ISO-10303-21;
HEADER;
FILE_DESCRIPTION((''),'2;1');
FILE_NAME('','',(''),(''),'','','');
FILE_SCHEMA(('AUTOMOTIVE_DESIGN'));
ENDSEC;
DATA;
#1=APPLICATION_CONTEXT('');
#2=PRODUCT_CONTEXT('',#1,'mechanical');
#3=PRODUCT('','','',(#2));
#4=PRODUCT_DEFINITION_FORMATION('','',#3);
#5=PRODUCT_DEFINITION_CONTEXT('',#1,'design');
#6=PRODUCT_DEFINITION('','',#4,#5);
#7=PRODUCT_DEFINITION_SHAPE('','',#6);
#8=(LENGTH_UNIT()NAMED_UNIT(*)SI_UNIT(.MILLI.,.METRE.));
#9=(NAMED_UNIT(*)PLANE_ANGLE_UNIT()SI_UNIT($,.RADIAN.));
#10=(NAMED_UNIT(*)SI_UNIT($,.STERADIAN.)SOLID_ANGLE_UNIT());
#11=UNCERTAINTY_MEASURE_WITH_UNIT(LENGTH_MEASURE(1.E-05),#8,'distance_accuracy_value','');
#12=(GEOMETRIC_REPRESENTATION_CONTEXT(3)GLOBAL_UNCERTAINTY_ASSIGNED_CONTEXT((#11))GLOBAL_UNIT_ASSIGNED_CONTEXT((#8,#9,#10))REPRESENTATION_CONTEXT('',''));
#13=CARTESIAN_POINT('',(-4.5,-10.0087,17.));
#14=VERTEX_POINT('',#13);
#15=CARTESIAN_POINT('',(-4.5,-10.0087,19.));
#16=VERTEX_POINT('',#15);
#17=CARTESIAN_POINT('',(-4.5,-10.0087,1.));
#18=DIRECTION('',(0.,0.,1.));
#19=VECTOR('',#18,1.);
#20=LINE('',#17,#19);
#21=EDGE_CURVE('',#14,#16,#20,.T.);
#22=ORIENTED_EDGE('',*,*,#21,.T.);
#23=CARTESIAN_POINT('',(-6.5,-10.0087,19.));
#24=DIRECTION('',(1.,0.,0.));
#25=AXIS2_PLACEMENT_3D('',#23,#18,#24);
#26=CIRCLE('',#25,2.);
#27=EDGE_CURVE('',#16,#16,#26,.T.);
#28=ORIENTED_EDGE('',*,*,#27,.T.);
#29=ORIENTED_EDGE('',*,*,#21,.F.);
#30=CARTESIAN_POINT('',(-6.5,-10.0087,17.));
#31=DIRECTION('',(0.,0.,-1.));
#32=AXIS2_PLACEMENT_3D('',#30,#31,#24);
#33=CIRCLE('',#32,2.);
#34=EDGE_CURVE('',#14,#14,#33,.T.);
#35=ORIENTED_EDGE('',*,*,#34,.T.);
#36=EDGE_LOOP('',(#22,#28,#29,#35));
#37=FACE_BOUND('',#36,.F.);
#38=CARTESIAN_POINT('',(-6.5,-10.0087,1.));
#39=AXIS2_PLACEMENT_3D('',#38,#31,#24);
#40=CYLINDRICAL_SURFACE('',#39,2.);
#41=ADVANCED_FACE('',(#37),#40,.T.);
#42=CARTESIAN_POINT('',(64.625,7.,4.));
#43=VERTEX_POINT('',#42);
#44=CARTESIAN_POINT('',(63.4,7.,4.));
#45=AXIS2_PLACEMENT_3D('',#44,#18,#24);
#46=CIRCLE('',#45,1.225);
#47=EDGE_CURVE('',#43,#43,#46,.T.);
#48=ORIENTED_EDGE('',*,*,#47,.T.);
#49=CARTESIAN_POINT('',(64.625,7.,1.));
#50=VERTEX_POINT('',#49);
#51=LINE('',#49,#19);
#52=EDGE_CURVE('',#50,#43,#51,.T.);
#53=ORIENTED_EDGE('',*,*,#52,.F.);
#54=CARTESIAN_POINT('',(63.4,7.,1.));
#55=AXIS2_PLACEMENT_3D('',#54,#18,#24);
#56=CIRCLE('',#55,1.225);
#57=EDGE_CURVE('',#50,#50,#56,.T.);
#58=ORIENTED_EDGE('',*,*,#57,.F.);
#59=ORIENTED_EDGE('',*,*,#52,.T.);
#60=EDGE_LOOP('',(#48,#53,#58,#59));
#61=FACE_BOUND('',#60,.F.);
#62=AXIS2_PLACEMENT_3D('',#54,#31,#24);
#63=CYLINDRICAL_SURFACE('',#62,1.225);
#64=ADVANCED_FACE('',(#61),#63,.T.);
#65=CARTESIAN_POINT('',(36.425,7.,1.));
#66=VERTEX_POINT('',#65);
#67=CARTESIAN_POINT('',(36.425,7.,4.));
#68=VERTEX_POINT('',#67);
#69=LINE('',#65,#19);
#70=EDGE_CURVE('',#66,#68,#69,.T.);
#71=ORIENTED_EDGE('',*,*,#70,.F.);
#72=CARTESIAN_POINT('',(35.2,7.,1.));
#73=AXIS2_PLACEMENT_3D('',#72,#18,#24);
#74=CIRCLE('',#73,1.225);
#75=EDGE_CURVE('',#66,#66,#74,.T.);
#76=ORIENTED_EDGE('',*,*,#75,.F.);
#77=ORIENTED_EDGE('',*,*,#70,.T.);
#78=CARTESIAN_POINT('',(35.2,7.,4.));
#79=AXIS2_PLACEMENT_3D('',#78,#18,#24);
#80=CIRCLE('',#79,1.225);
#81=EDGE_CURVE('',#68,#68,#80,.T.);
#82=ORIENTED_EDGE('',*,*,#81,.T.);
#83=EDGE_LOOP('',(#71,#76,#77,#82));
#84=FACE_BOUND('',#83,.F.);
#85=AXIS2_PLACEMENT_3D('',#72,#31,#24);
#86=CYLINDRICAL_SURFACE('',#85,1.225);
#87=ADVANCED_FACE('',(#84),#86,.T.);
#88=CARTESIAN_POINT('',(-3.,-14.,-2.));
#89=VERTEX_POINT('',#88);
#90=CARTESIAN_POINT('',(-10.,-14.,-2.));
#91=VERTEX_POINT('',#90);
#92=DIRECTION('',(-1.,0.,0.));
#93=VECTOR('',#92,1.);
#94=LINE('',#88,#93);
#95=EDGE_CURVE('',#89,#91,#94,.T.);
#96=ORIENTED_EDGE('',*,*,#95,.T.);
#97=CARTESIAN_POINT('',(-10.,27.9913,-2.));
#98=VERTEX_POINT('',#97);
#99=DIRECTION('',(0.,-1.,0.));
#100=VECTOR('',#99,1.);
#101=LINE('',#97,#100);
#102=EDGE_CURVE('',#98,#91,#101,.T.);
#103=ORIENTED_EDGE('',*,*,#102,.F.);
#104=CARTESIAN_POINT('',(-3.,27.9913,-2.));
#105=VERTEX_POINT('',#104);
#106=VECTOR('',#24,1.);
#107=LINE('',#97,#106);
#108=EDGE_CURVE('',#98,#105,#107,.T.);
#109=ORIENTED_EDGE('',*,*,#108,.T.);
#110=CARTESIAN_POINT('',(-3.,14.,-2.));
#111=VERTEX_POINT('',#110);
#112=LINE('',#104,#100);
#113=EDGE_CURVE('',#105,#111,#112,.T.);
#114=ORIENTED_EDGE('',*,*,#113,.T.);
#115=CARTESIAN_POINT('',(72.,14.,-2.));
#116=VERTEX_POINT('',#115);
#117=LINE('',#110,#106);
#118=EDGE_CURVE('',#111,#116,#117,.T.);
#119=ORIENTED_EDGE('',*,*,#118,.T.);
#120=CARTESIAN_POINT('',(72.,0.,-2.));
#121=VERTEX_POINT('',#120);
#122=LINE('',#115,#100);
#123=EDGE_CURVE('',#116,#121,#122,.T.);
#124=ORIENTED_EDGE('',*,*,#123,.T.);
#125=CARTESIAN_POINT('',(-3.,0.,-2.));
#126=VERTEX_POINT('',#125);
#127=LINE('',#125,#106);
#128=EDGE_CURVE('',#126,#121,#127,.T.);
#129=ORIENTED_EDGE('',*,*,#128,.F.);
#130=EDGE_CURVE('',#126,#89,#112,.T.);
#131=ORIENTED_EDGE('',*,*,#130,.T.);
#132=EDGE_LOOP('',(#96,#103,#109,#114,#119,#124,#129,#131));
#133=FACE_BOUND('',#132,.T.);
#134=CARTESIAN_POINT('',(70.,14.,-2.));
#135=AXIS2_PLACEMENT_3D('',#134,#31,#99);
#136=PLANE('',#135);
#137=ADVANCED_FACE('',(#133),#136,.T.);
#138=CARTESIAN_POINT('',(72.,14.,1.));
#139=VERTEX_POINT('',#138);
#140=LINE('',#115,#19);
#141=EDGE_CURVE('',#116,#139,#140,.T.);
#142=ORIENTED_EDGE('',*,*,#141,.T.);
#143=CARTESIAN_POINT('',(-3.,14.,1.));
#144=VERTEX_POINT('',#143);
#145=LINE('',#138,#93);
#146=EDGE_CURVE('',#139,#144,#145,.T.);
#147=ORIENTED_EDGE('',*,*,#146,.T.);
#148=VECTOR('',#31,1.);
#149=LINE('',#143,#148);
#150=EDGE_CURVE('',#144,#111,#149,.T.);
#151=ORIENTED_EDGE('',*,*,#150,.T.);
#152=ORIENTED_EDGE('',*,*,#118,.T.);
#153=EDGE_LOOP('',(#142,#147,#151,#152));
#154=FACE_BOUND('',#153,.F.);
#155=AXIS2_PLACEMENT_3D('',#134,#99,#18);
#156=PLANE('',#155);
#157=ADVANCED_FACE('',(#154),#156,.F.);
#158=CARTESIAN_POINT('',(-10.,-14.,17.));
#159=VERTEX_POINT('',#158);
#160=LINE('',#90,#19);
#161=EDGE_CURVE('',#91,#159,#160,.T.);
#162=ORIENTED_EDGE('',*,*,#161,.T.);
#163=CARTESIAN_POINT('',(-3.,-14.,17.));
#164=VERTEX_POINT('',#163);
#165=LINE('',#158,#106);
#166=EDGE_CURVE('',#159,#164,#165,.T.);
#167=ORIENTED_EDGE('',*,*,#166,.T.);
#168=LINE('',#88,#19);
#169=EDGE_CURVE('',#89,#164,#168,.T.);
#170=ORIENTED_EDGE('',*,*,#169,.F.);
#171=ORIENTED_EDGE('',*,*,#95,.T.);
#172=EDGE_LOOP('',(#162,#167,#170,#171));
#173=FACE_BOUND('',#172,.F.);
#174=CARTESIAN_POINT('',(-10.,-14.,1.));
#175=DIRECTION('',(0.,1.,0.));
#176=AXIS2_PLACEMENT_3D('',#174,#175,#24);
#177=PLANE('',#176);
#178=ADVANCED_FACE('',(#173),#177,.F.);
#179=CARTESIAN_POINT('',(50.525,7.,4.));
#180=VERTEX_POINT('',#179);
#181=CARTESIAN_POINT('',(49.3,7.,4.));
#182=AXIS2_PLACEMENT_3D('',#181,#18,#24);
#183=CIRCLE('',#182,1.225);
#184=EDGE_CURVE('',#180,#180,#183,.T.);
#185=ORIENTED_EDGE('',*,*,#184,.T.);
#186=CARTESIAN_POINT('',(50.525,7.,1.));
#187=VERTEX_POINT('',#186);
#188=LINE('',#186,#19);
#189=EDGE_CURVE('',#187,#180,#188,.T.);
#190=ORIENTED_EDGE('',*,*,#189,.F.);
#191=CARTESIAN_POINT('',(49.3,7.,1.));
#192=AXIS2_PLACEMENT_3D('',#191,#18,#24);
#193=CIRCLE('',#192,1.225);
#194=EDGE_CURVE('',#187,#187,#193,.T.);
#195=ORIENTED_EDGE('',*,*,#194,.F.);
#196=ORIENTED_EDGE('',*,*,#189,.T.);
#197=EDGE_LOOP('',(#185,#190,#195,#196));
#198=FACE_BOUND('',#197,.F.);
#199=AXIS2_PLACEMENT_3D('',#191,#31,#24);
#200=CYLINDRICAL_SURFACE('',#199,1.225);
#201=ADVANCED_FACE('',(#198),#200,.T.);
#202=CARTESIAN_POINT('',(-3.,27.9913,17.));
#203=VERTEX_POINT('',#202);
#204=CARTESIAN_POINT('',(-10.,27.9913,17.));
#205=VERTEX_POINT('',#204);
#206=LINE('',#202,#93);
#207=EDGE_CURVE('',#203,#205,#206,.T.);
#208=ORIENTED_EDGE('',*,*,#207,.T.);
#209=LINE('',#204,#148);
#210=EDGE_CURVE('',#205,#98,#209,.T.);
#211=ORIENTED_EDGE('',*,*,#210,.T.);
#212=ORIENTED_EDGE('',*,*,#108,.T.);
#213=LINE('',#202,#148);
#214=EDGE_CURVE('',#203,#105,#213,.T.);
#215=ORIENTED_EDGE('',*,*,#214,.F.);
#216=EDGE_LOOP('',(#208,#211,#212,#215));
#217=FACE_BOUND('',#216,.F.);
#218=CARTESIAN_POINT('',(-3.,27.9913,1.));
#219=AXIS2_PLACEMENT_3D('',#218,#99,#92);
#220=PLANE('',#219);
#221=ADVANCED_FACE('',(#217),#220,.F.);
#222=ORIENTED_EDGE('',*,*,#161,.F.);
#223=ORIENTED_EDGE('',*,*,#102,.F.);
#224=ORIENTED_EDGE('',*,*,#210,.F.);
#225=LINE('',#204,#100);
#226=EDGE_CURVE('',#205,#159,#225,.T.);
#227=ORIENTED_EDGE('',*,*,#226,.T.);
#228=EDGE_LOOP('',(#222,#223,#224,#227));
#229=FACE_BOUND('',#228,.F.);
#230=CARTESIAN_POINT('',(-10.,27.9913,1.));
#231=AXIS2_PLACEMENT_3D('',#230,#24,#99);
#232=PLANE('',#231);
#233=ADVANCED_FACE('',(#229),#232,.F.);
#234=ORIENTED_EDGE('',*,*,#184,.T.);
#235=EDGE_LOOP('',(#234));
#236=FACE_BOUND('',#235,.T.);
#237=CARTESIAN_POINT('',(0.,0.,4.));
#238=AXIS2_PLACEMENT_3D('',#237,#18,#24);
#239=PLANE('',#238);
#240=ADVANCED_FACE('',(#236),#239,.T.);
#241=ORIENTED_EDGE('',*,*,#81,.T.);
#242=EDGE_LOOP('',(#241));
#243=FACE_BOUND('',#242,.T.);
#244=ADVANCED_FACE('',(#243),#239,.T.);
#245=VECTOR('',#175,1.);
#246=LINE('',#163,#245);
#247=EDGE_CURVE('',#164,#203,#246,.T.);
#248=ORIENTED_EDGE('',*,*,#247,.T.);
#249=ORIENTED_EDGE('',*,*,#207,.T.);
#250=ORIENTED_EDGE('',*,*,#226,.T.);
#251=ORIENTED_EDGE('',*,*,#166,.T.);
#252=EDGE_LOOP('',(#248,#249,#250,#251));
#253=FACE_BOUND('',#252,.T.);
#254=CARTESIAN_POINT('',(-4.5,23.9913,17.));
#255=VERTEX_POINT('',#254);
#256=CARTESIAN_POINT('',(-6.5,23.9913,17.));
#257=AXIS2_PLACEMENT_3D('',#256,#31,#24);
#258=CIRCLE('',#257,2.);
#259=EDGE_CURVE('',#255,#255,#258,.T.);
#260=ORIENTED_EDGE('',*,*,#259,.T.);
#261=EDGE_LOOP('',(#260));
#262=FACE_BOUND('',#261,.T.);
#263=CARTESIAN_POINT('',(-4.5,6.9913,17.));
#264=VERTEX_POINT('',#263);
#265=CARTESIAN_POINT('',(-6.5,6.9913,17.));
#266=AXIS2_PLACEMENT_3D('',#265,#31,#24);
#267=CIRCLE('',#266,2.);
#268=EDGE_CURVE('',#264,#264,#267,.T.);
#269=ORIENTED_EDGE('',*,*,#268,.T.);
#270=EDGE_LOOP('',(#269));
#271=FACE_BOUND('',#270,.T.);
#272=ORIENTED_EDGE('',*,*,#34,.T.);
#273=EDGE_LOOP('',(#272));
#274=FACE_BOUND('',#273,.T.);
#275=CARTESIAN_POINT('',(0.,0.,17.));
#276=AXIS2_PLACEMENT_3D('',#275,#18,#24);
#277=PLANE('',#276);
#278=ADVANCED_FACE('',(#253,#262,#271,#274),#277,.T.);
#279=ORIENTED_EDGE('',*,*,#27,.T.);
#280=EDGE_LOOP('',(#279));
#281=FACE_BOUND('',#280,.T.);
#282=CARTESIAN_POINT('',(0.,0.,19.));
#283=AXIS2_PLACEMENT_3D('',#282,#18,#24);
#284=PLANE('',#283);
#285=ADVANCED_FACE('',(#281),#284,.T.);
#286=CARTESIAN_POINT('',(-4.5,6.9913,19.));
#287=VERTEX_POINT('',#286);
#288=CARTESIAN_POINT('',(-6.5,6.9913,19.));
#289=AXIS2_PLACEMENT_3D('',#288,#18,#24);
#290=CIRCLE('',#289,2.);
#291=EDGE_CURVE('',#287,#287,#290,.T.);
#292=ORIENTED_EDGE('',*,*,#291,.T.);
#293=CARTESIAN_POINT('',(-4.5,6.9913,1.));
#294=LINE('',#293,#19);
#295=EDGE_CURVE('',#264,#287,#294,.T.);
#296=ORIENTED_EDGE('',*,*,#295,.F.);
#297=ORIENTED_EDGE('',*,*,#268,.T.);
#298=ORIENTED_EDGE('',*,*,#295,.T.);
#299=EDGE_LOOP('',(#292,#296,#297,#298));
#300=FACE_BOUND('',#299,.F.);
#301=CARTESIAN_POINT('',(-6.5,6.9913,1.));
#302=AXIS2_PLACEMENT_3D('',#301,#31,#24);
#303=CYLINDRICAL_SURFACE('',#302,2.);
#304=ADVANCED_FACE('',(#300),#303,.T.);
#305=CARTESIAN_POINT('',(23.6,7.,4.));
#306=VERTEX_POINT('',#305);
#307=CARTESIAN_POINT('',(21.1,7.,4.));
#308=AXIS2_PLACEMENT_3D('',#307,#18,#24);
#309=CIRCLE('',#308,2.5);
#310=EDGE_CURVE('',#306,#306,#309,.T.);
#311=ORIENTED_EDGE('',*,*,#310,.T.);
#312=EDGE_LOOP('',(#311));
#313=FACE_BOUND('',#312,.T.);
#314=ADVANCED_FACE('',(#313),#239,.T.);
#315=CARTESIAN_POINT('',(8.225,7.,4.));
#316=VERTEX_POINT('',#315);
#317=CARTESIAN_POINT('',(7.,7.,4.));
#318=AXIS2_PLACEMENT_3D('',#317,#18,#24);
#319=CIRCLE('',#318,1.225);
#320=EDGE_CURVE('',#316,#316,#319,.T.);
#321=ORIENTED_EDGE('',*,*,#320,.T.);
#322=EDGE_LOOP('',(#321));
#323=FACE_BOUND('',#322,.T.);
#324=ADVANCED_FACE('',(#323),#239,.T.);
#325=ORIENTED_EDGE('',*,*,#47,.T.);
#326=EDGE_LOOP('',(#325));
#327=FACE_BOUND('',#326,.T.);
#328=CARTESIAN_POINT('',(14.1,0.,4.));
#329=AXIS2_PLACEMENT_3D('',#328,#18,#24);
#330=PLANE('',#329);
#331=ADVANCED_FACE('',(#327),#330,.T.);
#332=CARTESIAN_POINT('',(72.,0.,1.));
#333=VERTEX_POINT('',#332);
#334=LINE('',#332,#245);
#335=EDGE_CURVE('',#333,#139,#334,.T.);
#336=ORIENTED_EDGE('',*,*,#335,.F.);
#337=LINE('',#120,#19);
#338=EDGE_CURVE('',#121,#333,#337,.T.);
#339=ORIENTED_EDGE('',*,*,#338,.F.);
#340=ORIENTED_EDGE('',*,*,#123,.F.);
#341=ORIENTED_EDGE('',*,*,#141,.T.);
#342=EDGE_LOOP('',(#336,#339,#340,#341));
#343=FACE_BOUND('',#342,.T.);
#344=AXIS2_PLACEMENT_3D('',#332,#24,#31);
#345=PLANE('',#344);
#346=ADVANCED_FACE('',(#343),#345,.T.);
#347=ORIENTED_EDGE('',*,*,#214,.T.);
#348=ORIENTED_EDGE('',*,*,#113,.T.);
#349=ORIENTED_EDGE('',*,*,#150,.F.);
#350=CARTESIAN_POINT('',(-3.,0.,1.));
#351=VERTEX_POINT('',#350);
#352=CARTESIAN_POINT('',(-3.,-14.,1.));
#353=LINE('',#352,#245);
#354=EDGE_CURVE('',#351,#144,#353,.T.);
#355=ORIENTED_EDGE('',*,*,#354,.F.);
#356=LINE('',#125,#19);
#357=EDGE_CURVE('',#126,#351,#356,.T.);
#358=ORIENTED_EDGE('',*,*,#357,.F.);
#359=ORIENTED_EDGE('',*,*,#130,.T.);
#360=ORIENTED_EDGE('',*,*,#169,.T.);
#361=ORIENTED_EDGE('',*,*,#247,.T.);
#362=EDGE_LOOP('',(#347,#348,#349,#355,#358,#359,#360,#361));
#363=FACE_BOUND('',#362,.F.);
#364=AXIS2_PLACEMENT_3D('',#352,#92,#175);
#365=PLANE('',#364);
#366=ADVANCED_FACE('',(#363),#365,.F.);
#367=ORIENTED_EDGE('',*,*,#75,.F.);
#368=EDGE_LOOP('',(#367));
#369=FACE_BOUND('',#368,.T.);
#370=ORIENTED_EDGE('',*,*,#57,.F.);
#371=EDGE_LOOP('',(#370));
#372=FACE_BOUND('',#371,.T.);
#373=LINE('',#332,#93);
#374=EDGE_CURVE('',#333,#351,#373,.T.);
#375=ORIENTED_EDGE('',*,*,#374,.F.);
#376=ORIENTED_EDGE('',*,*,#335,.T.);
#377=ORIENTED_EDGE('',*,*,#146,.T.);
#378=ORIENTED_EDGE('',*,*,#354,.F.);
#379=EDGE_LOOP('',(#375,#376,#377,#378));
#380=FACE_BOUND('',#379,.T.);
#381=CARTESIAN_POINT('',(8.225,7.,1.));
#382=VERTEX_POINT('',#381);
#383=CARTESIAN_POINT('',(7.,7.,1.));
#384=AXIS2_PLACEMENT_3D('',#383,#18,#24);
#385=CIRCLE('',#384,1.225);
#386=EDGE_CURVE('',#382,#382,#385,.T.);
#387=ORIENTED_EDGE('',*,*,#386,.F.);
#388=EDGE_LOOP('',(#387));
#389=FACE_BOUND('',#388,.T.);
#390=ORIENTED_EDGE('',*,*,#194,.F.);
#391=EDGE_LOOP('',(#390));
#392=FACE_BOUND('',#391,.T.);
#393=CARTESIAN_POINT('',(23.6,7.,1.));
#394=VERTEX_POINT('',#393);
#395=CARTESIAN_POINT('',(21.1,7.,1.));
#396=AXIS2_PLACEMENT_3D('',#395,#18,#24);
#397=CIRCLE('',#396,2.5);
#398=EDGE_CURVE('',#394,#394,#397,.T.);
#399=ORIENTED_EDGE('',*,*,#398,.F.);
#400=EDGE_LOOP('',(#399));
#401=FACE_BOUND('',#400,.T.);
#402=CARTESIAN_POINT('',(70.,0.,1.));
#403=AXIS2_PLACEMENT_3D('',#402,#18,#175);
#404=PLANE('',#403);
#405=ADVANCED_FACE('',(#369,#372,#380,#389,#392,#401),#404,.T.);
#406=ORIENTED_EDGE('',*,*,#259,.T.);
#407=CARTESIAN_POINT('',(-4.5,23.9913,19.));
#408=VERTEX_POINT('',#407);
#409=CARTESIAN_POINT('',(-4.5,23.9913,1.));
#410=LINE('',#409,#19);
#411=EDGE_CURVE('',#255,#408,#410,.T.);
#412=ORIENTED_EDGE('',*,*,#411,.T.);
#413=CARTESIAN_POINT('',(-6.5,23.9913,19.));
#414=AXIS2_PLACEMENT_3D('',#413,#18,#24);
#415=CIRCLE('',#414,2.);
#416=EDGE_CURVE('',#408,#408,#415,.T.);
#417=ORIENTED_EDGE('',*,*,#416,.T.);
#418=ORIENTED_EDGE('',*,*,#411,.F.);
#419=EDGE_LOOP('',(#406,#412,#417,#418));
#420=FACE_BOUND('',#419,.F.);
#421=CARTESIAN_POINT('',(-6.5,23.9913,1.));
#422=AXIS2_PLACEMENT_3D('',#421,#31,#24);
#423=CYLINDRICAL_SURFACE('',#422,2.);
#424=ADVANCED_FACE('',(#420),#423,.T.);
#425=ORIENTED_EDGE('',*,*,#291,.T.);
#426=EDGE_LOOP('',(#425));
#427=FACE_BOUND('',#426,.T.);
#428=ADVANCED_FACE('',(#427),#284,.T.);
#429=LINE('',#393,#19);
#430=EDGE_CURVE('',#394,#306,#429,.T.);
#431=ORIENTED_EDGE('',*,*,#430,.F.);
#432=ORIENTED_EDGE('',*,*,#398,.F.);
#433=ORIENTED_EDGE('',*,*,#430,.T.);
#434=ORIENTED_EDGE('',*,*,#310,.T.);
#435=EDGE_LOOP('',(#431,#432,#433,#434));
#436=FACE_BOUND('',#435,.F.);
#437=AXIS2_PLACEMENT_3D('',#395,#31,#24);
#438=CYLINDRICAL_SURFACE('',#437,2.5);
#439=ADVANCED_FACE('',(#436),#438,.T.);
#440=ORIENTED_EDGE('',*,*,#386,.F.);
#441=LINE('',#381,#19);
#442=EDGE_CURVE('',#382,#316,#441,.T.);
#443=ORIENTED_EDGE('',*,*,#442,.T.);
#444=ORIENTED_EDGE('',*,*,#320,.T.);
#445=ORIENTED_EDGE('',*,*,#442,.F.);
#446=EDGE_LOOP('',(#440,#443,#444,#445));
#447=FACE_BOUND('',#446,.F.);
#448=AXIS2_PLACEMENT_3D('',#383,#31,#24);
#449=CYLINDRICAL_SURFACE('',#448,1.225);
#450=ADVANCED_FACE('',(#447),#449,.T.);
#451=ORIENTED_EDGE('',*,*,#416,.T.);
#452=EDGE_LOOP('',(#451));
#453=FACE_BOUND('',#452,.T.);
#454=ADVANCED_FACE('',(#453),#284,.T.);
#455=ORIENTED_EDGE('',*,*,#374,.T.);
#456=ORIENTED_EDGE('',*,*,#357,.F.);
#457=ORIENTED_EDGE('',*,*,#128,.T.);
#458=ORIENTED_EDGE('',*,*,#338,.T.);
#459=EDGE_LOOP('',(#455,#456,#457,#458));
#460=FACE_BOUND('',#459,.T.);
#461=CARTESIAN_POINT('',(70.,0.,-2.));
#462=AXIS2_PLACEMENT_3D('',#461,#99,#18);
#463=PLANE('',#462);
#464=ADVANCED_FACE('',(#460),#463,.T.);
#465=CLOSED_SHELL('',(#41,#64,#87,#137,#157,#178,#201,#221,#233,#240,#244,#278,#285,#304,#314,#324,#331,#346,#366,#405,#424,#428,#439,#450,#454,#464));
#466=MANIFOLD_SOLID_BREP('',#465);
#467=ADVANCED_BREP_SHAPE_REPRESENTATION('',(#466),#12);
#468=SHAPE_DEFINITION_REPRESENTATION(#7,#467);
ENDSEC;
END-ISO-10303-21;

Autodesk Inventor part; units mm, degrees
ref_plane "YZ Plane" through (0, 0, 0) normal (1, 0, 0) x (0, 1, 0)
ref_plane "XZ Plane" through (0, 0, 0) normal (0, 1, 0) x (-1, 0, 0)
ref_plane "XY Plane" through (0, 0, 0) normal (0, 0, 1) x (1, 0, 0)
sketch "Sketch1" plane through (0, 0, 0) normal (0, 0, 1) x (1, 0, 0)
  line L0 (0, 0) -> (70, 0)
  line L1 (70, 0) -> (70, 14)
  line L2 (70, 14) -> (0, 14)
  line L3 (0, 14) -> (0, 0)
  dimension "d0" = 70
  dimension "d1" = 14
extrude "Extrusion1" add sketch "Sketch1" along normal blind 1
sketch "Sketch2" plane through (0, 0, 1) normal (0, 0, 1) x (1, 0, 0)
  line L0 (70, 14) -> (0, 14) projected
  line L1 (0, 14) -> (0, 0) projected
  circle A0 centre (7, 7) radius 1.225
  circle A1 centre (35.2, 7) radius 1.225
  dimension "d5" = 70
  dimension "d6" = 14
  dimension "d9" = 2.45
  dimension "d10" = 2.45
  dimension "d32" = 28.2
extrude "Extrusion5" add sketch "Sketch2" along normal blind 3
sketch "Sketch4" plane through (0, 0, 1) normal (0, 0, 1) x (1, 0, 0)
  circle A0 centre (21.1, 7) radius 2.5
  line L0 (0, 0) -> (70, 0) projected
  line L1 (0, 14) -> (0, 0) projected
  circle A1 centre (7, 7) radius 1.225 projected
  point P0 (6, 0)
  point P1 (64, 0)
  point P2 (0, 8)
  point P3 (0, 6)
  dimension "d25" = 5
  dimension "d26" = 7
  dimension "d29" = 14.1
extrude "Extrusion6" add sketch "Sketch4" along normal blind 3 contours A0
sketch "Sketch5" plane through (0, 0, 1) normal (0, 0, 1) x (1, 0, 0)
  circle A0 centre (35.2, 7) radius 1.225 projected
  circle A1 centre (49.3, 7) radius 1.225
  point P0 (0, 0)
  dimension "d34" = 14.1
extrude "Extrusion7" add sketch "Sketch5" along normal blind 3 contours A1
pattern_linear "Rectangular Pattern2" count 2 spacing 14.1 along (1, 0, 0) of "Extrusion7"
sketch "Sketch6" plane through (0, 0, 0) normal (-1, 0, 0) x (0, 0, 1)
  line L0 (1, 0) -> (1, 14) projected
  line L1 (0, 0) -> (1, 0)
  line L2 (1, 0) -> (1, 14)
  line L3 (1, 14) -> (0, 14)
  line L4 (0, 14) -> (0, 0)
  line L5 (0, 14) -> (1, 14)
  line L6 (0, 0) -> (1, 0) projected
  line L7 (0, 0) -> (1, 0)
extrude "Extrusion8" add sketch "Sketch6" along normal blind 10
sketch "Sketch7" plane through (-10, 0, 0) normal (-1, 0, 0) x (0, 0, 1)
  line L0 (0, 0) -> (1, 0) projected
  line L1 (0, 0) -> (1, 0)
  line L2 (1, 0) -> (1, -14)
  line L3 (1, -14) -> (0, -14)
  line L4 (0, -14) -> (0, 0)
  line L5 (0, 13.9913) -> (1, 13.9913)
  line L6 (1, 13.9913) -> (1, 27.9913)
  line L7 (1, 27.9913) -> (0, 27.9913)
  line L8 (0, 27.9913) -> (0, 13.9913)
  line L9 (1, 0) -> (1, 14) projected
  line L10 (0, 0) -> (0, 14) projected
  line L11 (1, 14) -> (0, 14)
  line L12 (0, 14) -> (0, 0)
  line L13 (0, 0) -> (1, 0)
  line L14 (1, 0) -> (1, 14)
  dimension "d47" = 14
  dimension "d48" = 14
extrude "Extrusion9" add sketch "Sketch7" against normal blind 7
sketch "Sketch8" plane through (0, 0, 0) normal (0, 0, -1) x (-1, 0, 0)
  line L0 (10, 27.9913) -> (10, -14) projected
  line L1 (10, 27.9913) -> (3, 27.9913)
  line L2 (3, 27.9913) -> (3, -14)
  line L3 (3, -14) -> (10, -14)
  line L4 (10, -14) -> (10, 27.9913)
  line L5 (-70, 0) -> (-70, 14) projected
  line L6 (-70, 14) -> (3, 14) projected
  line L7 (-70, 0) -> (3, 0)
  line L8 (3, 0) -> (3, 14)
  line L9 (3, 14) -> (-70, 14)
  line L10 (-70, 14) -> (-70, 0)
  point P0 (0, 0)
extrude "Extrusion10" add sketch "Sketch8" along normal blind 2
sketch "Sketch9" plane through (0, 0, 1) normal (0, 0, 1) x (1, 0, 0)
  circle A0 centre (-6.5, 23.9913) radius 2
  line L0 (-3, 27.9913) -> (-3, 14) projected
  line L1 (-10, 27.9913) -> (-3, 27.9913) projected
  circle A1 centre (-6.5, 6.9913) radius 2
  circle A2 centre (-6.5, -10.0087) radius 2
  line L2 (-10, -14) -> (-3, -14) projected
  line L3 (-10, -14) -> (-10, 27.9913) projected
  point P0 (0, 0)
  dimension "d53" = 4
  dimension "d54" = 3.5
  dimension "d55" = 4
  dimension "d58" = 17
  dimension "d63" = 41.9913
  dimension "d64" = 17
  dimension "d65" = 3.9913
extrude "Extrusion11" add sketch "Sketch9" along normal blind 18
sketch "Sketch10" plane through (0, 0, 1) normal (0, 0, 1) x (1, 0, 0)
  line L0 (-10, -14) -> (-3, -14) projected
  line L1 (-3, 27.9913) -> (-10, 27.9913)
  line L2 (-10, 27.9913) -> (-10, -14)
  line L3 (-10, -14) -> (-3, -14)
  line L4 (-3, -14) -> (-3, 27.9913)
  point P0 (0, 0)
extrude "Extrusion12" add sketch "Sketch10" along normal blind 16
sketch "Sketch11" plane through (70, 0, 1) normal (1, 0, 0) x (0, 0, -1)
  line L0 (3, 0) -> (0, 0) projected
  line L1 (3, 14) -> (0, 14) projected
  line L2 (3, 0) -> (0, 0)
  line L3 (0, 0) -> (0, 14)
  line L4 (0, 14) -> (3, 14)
  line L5 (3, 14) -> (3, 0)
  point P0 (1, 0)
extrude "Extrusion13" add sketch "Sketch11" along normal blind 2
properties part number "Kroller Holder2"
